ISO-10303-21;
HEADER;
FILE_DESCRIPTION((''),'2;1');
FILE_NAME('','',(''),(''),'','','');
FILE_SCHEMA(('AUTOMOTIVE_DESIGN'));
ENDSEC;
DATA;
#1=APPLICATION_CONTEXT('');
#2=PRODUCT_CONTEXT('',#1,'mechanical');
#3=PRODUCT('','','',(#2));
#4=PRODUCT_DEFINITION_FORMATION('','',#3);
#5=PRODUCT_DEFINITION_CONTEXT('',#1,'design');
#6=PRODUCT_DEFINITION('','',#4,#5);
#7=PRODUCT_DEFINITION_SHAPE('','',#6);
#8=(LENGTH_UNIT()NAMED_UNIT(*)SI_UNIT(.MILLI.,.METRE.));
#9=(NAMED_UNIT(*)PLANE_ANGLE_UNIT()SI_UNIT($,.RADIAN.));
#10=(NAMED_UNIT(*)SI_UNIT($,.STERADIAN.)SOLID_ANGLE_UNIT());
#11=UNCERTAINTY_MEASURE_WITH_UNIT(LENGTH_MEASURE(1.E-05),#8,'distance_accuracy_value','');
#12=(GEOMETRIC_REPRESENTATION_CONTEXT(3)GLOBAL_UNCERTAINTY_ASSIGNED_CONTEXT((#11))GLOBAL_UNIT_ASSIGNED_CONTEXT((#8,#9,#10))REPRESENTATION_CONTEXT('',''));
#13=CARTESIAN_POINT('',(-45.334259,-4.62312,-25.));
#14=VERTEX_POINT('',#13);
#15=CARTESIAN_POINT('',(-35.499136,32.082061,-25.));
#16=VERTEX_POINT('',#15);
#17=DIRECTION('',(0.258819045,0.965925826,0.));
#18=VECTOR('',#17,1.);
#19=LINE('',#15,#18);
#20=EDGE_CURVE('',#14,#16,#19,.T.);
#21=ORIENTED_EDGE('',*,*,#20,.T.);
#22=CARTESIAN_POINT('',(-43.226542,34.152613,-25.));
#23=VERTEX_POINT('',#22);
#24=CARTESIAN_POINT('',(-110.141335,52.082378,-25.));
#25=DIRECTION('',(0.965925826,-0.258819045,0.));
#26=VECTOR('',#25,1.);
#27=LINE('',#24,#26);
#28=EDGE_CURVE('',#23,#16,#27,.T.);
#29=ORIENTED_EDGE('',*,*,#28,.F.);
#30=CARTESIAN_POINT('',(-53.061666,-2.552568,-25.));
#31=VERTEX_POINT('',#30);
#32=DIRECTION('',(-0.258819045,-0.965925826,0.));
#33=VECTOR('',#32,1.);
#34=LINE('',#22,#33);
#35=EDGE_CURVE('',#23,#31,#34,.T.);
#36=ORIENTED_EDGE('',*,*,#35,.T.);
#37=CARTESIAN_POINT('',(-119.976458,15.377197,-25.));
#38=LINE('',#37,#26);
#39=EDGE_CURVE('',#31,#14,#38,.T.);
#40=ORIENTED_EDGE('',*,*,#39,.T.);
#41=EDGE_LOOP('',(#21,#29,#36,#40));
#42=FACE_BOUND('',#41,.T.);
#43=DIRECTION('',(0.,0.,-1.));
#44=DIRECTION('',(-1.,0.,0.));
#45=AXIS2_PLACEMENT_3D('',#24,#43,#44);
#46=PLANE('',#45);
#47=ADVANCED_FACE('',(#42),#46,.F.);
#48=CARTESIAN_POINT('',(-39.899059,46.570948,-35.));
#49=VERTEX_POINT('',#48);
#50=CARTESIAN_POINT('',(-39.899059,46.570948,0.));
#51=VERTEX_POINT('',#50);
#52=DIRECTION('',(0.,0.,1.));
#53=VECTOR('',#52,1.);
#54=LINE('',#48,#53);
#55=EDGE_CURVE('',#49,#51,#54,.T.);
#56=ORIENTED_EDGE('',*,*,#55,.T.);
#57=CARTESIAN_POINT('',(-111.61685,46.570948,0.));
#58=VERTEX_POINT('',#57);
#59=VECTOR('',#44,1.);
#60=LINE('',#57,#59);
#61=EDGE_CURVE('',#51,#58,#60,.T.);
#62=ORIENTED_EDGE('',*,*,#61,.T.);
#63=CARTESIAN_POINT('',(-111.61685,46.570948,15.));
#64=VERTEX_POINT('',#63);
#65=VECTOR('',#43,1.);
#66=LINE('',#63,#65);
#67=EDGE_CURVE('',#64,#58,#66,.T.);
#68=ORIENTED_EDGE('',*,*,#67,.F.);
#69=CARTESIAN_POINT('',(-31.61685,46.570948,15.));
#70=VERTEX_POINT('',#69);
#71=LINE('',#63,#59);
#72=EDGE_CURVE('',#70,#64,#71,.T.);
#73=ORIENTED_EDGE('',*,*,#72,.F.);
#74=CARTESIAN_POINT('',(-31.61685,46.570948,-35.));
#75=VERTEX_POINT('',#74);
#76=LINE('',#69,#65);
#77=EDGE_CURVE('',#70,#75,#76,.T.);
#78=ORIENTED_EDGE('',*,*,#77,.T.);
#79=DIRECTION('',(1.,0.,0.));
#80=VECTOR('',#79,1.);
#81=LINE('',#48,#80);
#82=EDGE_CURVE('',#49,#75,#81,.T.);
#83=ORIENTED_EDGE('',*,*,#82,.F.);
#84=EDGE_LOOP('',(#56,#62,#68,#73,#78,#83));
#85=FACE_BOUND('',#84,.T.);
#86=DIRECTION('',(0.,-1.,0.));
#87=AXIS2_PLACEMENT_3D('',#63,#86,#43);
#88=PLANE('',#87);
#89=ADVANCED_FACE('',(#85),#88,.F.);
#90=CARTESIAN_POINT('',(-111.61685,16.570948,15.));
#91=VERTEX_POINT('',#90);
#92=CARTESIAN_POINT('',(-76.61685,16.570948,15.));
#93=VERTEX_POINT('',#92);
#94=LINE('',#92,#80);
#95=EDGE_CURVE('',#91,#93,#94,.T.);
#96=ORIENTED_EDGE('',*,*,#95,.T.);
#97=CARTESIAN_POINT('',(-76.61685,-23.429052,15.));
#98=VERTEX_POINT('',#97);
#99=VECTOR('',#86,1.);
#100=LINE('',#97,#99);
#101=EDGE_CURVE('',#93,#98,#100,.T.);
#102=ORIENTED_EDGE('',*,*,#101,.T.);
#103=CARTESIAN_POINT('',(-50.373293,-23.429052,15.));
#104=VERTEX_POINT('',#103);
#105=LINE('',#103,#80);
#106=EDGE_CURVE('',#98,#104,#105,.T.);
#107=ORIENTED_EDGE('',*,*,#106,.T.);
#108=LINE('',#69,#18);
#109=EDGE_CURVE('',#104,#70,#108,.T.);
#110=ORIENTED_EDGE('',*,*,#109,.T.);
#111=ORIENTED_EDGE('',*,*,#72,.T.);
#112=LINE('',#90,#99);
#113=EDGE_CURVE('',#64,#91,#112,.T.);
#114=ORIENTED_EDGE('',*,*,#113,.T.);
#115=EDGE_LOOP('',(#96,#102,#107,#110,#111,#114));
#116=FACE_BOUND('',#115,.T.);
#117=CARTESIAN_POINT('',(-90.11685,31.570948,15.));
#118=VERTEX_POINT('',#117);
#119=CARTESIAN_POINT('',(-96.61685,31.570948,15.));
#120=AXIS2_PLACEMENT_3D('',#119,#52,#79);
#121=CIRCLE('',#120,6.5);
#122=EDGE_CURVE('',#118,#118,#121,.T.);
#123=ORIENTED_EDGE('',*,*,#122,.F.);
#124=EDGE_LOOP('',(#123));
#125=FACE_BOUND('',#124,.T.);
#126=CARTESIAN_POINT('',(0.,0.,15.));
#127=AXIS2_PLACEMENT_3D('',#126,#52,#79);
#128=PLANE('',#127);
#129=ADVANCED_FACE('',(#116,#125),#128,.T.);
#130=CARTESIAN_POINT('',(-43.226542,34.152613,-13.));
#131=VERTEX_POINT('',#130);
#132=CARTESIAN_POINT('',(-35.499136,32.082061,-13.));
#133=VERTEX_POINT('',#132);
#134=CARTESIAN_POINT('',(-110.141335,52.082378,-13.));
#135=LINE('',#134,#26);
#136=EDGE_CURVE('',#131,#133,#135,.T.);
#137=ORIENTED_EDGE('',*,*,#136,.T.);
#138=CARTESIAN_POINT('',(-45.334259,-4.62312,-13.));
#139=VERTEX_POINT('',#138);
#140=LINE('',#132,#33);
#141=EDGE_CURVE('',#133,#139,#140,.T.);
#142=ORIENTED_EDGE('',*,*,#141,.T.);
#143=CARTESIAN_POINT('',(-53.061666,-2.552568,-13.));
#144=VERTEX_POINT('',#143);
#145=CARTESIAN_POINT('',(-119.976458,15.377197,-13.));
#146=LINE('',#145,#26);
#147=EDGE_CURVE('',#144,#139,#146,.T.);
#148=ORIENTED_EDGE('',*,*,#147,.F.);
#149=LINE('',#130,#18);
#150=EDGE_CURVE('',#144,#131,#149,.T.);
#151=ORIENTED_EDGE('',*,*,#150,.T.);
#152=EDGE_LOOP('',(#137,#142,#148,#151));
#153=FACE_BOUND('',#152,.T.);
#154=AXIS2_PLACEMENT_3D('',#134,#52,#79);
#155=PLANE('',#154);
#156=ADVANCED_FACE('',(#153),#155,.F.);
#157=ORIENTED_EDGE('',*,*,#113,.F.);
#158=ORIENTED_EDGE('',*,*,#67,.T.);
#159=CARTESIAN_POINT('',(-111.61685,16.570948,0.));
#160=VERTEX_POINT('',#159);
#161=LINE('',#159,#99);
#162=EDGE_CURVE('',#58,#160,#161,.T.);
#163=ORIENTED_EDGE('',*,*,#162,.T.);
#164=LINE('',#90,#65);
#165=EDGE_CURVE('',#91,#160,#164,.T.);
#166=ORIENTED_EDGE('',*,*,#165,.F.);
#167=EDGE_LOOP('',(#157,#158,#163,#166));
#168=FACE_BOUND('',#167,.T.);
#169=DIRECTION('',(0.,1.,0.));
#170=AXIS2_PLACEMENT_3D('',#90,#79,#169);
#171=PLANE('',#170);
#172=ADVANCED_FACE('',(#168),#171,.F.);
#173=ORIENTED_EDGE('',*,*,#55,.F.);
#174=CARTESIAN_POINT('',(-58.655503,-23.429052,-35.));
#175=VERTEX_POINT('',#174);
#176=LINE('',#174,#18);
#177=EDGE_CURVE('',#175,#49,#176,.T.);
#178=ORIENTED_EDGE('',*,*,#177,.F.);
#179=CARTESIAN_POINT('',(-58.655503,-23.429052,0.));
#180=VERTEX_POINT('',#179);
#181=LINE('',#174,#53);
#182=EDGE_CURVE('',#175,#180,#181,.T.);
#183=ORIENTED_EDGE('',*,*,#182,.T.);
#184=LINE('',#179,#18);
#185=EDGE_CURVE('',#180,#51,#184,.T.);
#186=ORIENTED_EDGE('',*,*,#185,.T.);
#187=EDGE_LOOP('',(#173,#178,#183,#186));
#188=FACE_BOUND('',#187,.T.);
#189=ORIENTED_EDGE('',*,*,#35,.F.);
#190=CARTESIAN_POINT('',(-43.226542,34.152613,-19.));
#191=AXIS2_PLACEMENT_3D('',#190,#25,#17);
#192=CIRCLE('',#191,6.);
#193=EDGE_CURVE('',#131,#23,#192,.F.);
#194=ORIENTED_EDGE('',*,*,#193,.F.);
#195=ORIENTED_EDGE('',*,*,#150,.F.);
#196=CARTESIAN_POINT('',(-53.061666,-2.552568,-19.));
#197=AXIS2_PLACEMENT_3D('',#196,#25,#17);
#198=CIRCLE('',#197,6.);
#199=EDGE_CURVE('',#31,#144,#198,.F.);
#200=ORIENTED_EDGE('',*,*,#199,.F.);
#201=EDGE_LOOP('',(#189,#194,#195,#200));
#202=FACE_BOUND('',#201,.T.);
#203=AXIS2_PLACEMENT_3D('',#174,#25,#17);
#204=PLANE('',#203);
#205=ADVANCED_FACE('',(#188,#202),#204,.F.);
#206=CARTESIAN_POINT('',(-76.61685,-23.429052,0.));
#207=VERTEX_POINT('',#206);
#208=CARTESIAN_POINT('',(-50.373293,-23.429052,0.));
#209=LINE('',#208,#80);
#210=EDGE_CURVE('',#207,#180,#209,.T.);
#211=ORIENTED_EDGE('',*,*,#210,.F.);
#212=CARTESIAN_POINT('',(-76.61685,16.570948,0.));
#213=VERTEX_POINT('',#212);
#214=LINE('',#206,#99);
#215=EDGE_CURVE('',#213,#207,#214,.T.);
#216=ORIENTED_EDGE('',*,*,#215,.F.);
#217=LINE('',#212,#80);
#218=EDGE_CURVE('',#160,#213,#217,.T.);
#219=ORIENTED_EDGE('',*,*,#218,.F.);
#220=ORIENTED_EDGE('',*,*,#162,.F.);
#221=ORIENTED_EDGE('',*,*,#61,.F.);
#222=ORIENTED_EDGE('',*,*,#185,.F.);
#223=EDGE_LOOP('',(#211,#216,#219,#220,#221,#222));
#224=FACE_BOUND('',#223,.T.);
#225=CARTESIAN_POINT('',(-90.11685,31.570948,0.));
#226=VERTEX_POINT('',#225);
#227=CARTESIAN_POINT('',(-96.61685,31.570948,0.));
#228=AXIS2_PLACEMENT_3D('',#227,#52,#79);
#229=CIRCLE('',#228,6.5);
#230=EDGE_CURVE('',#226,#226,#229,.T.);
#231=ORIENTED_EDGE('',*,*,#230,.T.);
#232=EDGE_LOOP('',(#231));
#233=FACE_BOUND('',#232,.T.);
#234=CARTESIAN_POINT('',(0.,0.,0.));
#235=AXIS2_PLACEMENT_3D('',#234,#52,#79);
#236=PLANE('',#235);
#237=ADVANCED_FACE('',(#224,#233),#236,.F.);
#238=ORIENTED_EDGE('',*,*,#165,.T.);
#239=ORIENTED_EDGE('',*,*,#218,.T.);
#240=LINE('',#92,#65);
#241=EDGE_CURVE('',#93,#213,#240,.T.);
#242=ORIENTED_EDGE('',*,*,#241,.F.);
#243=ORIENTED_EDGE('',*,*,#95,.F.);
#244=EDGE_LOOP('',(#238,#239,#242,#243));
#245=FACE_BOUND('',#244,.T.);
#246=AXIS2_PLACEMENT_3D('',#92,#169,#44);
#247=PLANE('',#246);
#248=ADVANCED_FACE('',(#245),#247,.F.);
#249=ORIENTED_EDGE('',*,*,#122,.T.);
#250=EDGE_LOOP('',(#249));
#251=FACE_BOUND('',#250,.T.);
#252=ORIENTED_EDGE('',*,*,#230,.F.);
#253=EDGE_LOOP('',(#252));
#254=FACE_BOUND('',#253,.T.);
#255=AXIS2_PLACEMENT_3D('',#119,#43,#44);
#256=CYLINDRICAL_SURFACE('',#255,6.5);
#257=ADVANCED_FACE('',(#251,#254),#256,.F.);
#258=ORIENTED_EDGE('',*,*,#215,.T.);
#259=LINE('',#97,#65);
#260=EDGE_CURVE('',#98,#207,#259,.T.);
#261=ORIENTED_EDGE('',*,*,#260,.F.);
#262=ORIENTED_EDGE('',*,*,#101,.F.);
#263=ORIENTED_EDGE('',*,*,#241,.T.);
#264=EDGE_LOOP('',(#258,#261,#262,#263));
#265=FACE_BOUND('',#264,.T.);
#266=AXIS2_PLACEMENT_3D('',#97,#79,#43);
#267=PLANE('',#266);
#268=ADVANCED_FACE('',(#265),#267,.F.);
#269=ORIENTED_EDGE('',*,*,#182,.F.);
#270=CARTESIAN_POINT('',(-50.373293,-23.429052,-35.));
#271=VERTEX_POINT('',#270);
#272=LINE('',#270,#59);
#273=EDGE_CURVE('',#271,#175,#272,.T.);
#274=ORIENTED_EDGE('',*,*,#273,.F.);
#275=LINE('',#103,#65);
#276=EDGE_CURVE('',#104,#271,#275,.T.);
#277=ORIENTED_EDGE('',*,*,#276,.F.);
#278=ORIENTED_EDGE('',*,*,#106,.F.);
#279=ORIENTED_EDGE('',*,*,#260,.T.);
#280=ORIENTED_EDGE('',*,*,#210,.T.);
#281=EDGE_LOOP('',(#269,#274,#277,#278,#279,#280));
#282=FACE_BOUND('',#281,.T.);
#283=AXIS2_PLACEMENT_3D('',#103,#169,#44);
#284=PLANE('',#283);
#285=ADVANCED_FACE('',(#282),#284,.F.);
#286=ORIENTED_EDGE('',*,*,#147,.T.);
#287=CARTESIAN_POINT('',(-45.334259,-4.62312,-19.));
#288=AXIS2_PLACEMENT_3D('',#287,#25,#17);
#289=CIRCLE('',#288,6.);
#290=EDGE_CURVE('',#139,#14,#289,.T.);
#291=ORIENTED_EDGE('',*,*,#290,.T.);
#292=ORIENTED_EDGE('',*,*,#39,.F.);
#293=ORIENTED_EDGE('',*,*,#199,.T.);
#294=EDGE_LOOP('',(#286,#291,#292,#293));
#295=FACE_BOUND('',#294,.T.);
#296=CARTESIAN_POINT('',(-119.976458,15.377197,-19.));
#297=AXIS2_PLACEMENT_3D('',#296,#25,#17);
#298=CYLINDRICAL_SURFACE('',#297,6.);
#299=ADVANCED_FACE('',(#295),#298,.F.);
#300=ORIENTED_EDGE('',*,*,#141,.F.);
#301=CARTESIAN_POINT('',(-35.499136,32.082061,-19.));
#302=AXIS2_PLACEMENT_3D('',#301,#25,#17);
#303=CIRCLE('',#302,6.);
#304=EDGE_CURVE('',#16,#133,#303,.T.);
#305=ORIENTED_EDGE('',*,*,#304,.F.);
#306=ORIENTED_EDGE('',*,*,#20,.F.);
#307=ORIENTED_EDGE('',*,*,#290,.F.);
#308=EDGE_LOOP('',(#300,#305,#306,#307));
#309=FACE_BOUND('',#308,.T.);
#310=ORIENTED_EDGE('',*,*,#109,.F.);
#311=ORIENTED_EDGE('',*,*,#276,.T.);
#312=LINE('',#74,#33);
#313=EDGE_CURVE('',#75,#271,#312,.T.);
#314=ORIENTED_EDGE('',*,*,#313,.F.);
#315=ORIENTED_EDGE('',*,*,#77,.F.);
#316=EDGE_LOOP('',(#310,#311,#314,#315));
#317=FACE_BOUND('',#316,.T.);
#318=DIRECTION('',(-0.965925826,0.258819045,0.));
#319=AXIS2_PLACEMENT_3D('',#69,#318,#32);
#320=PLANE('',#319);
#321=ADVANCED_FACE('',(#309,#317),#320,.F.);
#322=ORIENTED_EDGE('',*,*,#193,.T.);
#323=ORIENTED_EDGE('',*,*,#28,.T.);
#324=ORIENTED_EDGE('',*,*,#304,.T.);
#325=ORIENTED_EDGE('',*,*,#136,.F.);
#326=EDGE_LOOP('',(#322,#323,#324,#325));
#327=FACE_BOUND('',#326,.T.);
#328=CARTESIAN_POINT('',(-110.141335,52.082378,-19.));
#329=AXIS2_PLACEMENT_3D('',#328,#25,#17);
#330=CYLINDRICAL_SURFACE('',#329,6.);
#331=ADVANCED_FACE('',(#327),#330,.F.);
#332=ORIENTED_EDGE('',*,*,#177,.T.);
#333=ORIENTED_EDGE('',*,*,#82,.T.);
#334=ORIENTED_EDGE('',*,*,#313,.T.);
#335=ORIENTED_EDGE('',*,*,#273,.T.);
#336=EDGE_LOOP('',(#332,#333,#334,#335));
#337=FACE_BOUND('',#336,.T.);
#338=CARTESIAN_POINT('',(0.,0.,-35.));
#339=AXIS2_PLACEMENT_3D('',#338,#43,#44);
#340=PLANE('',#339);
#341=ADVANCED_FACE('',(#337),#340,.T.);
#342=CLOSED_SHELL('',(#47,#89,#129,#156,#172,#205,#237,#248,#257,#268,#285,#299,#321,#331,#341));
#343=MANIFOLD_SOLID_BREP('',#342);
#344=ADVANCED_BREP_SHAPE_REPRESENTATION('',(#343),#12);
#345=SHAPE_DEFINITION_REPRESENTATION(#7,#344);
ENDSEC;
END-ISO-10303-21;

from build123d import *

# Parameters (mm, degrees)
ESBO_O1_R                = 6.5
RESSALTO_EXTRUS_O1_DEPTH = 15
RESSALTO_EXTRUS_O2_DEPTH = 35
CORTE_EXTRUS_O1_REACH    = 88.344


with BuildPart() as part:
    # Esboço1 → Ressalto-extrusão1 (new body)
    with BuildSketch(Plane.XY):
        Polygon((-31.616849906, 46.570948478), (-50.373293376, -23.429051522), (-76.616849906, -23.429051522), (-76.616849906, 16.570948478), (-111.616849906, 16.570948478), (-111.616849906, 46.570948478), align=None)
        with Locations((-96.616849906, 31.570948478)):
            Circle(ESBO_O1_R, mode=Mode.SUBTRACT)
    extrude(amount=RESSALTO_EXTRUS_O1_DEPTH)

    # Esboço2 → Ressalto-extrusão2 (add)
    with BuildSketch(Plane(origin=(0, 0, 0), x_dir=(-1, 0, 0), z_dir=(0, 0, -1))):
        Polygon((58.655502819, -23.429051522), (39.899059349, 46.570948478), (31.616849906, 46.570948478), (50.373293376, -23.429051522), align=None)
    extrude(amount=RESSALTO_EXTRUS_O2_DEPTH)

    # Esboço3 → Corte-extrusão1 (cut, up to next)
    with BuildSketch(Plane(origin=(-41.141659675, 11.023874485, 0), x_dir=(0, 0, -1), z_dir=(0.9659258262890673, -0.25881904510252474, 0)), mode=Mode.PRIVATE) as corte_extrus_o1_sk1:
        with BuildLine():
            Line((13, 21.801038988), (13, -16.198961012))
            ThreePointArc((13, -16.198961012), (19, -22.198961012), (25, -16.198961012))
            Line((25, -16.198961012), (25, 21.801038988))
            ThreePointArc((25, 21.801038988), (19, 27.801038988), (13, 21.801038988))
        make_face()
    corte_extrus_o1_tool1 = extrude(corte_extrus_o1_sk1.sketch, amount=-CORTE_EXTRUS_O1_REACH, mode=Mode.PRIVATE) & part.part
    add(corte_extrus_o1_tool1.solids().sort_by_distance((-40.416697, 13.72947, -19))[0], mode=Mode.SUBTRACT)


solid = part.part
